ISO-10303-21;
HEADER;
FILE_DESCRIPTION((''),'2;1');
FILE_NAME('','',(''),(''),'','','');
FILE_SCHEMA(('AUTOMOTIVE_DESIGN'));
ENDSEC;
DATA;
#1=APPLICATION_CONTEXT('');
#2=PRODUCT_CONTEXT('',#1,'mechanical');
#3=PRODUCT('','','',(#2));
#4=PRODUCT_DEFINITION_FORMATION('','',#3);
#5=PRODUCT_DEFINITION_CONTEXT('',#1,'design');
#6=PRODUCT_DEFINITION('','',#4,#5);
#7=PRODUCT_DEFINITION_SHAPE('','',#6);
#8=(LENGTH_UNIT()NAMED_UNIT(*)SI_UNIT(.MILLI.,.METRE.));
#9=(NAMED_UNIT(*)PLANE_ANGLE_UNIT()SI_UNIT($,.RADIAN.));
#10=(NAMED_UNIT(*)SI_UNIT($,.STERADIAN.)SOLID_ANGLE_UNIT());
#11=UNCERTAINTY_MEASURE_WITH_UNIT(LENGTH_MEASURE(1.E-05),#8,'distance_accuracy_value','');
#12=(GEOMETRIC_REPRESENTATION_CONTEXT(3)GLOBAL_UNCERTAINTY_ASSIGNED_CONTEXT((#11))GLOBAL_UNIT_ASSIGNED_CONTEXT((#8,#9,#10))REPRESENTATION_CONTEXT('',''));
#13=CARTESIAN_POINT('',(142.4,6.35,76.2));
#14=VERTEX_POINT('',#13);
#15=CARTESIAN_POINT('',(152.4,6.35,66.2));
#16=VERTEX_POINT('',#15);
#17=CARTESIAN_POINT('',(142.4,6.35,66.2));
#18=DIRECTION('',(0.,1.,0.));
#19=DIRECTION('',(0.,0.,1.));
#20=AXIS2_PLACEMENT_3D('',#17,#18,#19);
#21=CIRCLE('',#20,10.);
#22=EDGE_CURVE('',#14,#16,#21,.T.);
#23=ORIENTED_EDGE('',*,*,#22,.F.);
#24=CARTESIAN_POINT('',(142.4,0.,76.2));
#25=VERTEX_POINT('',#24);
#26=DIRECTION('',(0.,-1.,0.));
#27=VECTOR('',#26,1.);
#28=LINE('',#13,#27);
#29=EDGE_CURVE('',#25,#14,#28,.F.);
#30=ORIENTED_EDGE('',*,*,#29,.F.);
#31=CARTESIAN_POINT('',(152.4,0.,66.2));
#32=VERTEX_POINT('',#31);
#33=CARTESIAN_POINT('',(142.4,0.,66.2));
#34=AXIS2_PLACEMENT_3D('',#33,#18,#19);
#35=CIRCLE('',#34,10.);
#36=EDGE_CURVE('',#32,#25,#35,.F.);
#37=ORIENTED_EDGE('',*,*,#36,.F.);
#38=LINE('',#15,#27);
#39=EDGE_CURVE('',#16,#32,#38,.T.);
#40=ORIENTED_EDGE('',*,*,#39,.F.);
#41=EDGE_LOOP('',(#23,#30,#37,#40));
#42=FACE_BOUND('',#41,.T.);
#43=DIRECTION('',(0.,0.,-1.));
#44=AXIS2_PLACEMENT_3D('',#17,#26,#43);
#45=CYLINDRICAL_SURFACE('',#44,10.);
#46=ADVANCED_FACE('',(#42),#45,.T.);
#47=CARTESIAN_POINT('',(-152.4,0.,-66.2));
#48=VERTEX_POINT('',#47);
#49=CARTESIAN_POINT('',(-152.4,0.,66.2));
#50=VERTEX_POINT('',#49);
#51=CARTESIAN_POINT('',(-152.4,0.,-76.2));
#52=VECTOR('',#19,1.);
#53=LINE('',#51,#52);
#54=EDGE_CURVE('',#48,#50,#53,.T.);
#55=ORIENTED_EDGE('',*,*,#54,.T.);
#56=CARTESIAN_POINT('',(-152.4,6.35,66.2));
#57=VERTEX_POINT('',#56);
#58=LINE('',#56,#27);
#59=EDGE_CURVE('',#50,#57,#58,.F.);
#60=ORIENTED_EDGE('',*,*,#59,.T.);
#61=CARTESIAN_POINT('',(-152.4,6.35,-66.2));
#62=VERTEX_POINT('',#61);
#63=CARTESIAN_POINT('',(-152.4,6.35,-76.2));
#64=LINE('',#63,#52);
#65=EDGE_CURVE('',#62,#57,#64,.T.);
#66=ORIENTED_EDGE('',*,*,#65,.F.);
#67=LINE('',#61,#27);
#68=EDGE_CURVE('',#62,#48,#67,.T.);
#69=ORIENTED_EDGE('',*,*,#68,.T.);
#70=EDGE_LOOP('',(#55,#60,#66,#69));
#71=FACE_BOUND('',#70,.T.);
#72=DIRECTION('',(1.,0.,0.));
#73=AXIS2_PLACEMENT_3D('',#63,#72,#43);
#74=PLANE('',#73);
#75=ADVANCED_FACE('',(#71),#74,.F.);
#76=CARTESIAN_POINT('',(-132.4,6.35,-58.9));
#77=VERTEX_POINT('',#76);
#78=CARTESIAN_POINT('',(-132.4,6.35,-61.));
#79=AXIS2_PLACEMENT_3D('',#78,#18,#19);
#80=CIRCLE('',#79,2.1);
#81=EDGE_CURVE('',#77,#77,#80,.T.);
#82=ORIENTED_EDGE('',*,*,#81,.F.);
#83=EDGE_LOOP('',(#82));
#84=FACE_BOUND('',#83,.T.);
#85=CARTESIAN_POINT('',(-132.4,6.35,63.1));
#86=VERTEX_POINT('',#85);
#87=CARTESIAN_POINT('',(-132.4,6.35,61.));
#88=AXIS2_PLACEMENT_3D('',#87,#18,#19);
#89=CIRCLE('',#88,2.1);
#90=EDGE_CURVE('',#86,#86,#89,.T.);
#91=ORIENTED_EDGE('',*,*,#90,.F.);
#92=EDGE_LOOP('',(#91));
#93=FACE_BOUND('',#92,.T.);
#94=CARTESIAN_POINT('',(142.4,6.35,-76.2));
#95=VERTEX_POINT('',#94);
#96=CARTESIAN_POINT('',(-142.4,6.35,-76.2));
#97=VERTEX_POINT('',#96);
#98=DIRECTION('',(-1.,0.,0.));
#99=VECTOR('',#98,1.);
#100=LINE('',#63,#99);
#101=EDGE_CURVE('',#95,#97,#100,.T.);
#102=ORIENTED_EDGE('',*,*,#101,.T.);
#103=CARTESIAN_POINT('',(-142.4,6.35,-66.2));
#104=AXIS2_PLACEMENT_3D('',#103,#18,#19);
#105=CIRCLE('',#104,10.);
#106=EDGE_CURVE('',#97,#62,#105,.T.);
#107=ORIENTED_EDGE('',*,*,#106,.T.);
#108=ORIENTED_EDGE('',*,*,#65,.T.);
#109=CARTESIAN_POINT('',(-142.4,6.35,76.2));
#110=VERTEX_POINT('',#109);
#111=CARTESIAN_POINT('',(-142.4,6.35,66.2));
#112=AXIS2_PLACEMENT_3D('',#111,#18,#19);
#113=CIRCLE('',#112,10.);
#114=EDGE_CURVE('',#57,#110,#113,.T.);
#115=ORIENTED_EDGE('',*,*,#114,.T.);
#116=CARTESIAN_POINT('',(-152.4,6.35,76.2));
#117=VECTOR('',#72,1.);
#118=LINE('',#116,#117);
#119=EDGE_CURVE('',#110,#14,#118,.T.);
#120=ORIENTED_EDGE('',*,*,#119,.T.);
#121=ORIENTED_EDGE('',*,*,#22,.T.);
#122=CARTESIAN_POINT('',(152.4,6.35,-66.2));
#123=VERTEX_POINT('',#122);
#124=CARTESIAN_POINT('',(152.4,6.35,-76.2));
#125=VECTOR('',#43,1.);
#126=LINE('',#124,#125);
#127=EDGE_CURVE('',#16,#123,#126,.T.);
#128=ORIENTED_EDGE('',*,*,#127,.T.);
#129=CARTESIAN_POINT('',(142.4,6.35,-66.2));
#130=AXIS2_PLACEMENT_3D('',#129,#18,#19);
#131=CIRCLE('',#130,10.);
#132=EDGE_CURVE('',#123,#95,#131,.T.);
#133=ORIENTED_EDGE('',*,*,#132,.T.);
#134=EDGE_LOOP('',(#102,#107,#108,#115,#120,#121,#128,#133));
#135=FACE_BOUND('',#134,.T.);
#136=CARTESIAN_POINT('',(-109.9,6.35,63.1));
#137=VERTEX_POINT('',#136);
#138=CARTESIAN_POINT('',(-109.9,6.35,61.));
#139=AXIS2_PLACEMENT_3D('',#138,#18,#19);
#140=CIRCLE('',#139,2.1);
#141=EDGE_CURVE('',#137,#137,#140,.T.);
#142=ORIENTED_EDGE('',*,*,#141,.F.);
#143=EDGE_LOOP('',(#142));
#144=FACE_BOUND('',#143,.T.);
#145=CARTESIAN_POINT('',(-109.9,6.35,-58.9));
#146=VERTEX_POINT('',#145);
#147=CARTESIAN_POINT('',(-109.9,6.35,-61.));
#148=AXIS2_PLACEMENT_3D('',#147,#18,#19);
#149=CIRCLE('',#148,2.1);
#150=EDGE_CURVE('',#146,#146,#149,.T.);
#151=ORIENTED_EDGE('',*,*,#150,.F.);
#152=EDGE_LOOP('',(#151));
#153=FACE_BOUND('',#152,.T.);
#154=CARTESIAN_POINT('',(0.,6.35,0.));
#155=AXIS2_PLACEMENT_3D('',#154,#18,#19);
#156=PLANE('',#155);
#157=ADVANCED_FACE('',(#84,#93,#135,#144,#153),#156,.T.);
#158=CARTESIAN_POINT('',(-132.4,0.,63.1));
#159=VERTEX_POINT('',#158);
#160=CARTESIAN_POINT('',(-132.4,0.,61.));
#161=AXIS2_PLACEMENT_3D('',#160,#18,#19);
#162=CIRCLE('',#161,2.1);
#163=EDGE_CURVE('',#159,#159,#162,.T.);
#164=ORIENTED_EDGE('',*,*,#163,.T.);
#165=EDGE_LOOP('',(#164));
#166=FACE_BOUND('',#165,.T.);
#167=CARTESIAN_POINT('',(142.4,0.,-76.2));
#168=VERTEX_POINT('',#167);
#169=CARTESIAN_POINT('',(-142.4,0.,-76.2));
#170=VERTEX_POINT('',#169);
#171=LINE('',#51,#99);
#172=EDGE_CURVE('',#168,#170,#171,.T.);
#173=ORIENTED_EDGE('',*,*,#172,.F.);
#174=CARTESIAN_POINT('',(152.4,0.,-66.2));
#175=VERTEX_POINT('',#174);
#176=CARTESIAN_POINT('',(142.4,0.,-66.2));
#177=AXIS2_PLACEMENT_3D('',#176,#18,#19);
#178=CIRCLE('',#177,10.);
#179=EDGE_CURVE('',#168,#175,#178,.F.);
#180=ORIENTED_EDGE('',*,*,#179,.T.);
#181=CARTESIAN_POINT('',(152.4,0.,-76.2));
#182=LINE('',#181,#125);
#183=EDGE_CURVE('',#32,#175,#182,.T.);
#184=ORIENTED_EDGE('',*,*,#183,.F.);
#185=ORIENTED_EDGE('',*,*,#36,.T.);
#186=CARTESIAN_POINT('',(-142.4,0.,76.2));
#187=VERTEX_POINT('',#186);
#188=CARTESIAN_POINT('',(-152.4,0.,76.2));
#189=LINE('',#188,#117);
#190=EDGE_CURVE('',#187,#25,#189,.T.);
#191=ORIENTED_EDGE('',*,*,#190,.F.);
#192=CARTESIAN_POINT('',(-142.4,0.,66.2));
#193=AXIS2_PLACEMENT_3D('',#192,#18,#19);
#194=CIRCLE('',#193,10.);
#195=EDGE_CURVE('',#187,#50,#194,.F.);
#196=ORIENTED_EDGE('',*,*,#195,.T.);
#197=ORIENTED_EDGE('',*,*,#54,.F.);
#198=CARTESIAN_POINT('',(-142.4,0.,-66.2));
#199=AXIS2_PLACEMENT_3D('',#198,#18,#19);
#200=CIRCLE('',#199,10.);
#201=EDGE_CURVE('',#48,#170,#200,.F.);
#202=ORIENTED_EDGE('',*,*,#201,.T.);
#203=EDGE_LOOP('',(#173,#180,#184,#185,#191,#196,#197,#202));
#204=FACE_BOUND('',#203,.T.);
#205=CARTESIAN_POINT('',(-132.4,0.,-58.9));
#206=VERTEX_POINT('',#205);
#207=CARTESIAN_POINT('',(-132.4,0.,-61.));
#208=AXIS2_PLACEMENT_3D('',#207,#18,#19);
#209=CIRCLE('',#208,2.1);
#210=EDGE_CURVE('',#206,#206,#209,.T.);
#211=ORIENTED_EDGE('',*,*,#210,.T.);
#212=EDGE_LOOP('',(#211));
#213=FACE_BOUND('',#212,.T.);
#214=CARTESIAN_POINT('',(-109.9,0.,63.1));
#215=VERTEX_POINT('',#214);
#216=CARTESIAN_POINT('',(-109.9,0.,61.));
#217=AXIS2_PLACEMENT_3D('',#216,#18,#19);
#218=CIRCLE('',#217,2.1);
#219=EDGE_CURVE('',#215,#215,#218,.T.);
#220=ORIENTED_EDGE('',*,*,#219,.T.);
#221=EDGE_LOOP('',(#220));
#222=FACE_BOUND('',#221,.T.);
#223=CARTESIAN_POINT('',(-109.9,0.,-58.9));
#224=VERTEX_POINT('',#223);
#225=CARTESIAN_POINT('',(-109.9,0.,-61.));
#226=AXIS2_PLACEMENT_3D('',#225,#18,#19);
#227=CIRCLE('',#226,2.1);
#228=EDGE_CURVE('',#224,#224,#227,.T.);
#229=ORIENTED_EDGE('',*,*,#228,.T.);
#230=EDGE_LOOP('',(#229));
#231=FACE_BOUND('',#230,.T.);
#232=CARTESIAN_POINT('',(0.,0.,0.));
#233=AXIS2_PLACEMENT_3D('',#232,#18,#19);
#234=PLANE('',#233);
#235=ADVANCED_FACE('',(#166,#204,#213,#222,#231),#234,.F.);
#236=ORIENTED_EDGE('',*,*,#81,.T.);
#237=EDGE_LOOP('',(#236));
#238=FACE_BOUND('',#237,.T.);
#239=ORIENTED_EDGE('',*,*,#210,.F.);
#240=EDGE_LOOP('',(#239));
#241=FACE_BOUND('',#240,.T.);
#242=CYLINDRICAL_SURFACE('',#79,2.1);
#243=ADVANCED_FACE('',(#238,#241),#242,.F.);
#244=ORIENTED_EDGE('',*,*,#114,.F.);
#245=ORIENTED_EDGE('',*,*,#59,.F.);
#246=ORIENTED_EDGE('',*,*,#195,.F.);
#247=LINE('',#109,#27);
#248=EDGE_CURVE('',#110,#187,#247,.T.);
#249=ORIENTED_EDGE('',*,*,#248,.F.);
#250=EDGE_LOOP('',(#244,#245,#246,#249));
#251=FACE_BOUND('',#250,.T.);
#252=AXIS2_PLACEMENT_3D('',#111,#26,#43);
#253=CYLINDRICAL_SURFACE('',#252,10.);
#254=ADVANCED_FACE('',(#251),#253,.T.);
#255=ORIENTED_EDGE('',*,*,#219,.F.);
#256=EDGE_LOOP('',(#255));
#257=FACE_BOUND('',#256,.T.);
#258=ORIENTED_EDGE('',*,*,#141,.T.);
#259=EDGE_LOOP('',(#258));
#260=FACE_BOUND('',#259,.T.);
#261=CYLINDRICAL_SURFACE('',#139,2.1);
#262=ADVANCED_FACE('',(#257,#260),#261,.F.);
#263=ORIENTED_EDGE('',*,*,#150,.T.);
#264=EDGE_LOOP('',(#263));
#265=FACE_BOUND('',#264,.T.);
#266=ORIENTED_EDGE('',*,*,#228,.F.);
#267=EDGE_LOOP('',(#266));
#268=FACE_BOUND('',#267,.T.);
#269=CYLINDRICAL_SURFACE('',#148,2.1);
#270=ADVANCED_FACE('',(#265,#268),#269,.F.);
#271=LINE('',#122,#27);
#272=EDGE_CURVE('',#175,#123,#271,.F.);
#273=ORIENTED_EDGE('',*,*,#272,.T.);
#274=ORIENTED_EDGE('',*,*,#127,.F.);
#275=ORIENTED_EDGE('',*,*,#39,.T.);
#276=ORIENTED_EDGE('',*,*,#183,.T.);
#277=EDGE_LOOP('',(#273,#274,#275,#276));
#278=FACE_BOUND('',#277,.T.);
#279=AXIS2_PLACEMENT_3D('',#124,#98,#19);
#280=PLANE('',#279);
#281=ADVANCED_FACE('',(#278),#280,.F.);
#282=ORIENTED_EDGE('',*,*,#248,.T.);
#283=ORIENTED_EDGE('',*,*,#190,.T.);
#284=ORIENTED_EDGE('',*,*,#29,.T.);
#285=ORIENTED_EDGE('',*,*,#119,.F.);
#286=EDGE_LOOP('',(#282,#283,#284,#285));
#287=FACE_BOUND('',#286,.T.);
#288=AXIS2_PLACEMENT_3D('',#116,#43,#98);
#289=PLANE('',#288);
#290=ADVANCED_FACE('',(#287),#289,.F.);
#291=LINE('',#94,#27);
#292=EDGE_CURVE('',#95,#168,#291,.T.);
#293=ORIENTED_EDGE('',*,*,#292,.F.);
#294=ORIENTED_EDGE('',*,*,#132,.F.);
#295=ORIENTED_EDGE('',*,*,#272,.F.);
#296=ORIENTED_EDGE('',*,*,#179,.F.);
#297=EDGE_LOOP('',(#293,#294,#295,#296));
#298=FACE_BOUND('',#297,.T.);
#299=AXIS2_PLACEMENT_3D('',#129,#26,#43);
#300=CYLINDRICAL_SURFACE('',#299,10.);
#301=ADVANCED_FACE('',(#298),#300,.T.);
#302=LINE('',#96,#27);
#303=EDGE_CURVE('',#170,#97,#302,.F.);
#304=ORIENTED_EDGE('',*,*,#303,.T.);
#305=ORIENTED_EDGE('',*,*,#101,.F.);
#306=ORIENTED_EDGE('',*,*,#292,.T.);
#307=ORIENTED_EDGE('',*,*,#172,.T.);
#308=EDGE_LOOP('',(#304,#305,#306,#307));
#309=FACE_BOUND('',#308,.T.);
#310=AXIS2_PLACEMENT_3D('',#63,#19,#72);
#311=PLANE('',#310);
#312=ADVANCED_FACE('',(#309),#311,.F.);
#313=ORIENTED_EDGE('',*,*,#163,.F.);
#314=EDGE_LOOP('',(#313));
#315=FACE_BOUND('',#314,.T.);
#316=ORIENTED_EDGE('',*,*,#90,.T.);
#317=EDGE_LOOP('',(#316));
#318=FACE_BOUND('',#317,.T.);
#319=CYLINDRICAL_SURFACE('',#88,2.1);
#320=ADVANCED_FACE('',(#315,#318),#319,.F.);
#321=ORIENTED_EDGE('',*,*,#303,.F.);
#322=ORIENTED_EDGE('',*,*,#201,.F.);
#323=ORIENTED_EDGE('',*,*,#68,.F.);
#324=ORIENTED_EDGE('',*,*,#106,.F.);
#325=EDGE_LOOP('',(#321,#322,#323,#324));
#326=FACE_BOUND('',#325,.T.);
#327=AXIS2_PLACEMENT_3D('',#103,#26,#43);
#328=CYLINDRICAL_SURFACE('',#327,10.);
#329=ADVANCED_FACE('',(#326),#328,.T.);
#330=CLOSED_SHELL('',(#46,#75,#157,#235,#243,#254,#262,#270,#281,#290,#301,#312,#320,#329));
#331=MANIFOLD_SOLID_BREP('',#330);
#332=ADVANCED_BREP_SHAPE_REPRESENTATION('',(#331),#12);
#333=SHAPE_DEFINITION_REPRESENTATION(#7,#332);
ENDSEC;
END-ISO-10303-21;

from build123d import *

# Parameters (mm, degrees)
SKETCH1_W           = 304.8
SKETCH1_H           = 152.4
BOSS_EXTRUDE1_DEPTH = 6.35
FILLET1_R           = 10
M5_TAPPED_HOLE1_D   = 4.2


with BuildPart() as part:
    # Sketch1 → Boss-Extrude1 (new body)
    with BuildSketch(Plane(origin=(0, 0, 0), x_dir=(1, 0, 0), z_dir=(0, 1, 0))):
        Rectangle(SKETCH1_W, SKETCH1_H)
    extrude(amount=BOSS_EXTRUDE1_DEPTH)

    # Fillet1
    fillet1_edges = [part.edges().sort_by_distance(p)[0] for p in [
        (-152.4, 3.175, -76.2),
        (152.4, 3.175, -76.2),
        (152.4, 3.175, 76.2),
        (-152.4, 3.175, 76.2),
    ]]
    fillet(fillet1_edges, radius=FILLET1_R)

    # M5 Tapped Hole1 (through all)
    with Locations(Plane(origin=(0, 6.35, 0), x_dir=(1, 0, 0), z_dir=(0, 1, 0))):
        with Locations((-132.4, -61), (-132.4, 61), (-109.9, 61), (-109.9, -61)):
            Hole(M5_TAPPED_HOLE1_D / 2)


solid = part.part
